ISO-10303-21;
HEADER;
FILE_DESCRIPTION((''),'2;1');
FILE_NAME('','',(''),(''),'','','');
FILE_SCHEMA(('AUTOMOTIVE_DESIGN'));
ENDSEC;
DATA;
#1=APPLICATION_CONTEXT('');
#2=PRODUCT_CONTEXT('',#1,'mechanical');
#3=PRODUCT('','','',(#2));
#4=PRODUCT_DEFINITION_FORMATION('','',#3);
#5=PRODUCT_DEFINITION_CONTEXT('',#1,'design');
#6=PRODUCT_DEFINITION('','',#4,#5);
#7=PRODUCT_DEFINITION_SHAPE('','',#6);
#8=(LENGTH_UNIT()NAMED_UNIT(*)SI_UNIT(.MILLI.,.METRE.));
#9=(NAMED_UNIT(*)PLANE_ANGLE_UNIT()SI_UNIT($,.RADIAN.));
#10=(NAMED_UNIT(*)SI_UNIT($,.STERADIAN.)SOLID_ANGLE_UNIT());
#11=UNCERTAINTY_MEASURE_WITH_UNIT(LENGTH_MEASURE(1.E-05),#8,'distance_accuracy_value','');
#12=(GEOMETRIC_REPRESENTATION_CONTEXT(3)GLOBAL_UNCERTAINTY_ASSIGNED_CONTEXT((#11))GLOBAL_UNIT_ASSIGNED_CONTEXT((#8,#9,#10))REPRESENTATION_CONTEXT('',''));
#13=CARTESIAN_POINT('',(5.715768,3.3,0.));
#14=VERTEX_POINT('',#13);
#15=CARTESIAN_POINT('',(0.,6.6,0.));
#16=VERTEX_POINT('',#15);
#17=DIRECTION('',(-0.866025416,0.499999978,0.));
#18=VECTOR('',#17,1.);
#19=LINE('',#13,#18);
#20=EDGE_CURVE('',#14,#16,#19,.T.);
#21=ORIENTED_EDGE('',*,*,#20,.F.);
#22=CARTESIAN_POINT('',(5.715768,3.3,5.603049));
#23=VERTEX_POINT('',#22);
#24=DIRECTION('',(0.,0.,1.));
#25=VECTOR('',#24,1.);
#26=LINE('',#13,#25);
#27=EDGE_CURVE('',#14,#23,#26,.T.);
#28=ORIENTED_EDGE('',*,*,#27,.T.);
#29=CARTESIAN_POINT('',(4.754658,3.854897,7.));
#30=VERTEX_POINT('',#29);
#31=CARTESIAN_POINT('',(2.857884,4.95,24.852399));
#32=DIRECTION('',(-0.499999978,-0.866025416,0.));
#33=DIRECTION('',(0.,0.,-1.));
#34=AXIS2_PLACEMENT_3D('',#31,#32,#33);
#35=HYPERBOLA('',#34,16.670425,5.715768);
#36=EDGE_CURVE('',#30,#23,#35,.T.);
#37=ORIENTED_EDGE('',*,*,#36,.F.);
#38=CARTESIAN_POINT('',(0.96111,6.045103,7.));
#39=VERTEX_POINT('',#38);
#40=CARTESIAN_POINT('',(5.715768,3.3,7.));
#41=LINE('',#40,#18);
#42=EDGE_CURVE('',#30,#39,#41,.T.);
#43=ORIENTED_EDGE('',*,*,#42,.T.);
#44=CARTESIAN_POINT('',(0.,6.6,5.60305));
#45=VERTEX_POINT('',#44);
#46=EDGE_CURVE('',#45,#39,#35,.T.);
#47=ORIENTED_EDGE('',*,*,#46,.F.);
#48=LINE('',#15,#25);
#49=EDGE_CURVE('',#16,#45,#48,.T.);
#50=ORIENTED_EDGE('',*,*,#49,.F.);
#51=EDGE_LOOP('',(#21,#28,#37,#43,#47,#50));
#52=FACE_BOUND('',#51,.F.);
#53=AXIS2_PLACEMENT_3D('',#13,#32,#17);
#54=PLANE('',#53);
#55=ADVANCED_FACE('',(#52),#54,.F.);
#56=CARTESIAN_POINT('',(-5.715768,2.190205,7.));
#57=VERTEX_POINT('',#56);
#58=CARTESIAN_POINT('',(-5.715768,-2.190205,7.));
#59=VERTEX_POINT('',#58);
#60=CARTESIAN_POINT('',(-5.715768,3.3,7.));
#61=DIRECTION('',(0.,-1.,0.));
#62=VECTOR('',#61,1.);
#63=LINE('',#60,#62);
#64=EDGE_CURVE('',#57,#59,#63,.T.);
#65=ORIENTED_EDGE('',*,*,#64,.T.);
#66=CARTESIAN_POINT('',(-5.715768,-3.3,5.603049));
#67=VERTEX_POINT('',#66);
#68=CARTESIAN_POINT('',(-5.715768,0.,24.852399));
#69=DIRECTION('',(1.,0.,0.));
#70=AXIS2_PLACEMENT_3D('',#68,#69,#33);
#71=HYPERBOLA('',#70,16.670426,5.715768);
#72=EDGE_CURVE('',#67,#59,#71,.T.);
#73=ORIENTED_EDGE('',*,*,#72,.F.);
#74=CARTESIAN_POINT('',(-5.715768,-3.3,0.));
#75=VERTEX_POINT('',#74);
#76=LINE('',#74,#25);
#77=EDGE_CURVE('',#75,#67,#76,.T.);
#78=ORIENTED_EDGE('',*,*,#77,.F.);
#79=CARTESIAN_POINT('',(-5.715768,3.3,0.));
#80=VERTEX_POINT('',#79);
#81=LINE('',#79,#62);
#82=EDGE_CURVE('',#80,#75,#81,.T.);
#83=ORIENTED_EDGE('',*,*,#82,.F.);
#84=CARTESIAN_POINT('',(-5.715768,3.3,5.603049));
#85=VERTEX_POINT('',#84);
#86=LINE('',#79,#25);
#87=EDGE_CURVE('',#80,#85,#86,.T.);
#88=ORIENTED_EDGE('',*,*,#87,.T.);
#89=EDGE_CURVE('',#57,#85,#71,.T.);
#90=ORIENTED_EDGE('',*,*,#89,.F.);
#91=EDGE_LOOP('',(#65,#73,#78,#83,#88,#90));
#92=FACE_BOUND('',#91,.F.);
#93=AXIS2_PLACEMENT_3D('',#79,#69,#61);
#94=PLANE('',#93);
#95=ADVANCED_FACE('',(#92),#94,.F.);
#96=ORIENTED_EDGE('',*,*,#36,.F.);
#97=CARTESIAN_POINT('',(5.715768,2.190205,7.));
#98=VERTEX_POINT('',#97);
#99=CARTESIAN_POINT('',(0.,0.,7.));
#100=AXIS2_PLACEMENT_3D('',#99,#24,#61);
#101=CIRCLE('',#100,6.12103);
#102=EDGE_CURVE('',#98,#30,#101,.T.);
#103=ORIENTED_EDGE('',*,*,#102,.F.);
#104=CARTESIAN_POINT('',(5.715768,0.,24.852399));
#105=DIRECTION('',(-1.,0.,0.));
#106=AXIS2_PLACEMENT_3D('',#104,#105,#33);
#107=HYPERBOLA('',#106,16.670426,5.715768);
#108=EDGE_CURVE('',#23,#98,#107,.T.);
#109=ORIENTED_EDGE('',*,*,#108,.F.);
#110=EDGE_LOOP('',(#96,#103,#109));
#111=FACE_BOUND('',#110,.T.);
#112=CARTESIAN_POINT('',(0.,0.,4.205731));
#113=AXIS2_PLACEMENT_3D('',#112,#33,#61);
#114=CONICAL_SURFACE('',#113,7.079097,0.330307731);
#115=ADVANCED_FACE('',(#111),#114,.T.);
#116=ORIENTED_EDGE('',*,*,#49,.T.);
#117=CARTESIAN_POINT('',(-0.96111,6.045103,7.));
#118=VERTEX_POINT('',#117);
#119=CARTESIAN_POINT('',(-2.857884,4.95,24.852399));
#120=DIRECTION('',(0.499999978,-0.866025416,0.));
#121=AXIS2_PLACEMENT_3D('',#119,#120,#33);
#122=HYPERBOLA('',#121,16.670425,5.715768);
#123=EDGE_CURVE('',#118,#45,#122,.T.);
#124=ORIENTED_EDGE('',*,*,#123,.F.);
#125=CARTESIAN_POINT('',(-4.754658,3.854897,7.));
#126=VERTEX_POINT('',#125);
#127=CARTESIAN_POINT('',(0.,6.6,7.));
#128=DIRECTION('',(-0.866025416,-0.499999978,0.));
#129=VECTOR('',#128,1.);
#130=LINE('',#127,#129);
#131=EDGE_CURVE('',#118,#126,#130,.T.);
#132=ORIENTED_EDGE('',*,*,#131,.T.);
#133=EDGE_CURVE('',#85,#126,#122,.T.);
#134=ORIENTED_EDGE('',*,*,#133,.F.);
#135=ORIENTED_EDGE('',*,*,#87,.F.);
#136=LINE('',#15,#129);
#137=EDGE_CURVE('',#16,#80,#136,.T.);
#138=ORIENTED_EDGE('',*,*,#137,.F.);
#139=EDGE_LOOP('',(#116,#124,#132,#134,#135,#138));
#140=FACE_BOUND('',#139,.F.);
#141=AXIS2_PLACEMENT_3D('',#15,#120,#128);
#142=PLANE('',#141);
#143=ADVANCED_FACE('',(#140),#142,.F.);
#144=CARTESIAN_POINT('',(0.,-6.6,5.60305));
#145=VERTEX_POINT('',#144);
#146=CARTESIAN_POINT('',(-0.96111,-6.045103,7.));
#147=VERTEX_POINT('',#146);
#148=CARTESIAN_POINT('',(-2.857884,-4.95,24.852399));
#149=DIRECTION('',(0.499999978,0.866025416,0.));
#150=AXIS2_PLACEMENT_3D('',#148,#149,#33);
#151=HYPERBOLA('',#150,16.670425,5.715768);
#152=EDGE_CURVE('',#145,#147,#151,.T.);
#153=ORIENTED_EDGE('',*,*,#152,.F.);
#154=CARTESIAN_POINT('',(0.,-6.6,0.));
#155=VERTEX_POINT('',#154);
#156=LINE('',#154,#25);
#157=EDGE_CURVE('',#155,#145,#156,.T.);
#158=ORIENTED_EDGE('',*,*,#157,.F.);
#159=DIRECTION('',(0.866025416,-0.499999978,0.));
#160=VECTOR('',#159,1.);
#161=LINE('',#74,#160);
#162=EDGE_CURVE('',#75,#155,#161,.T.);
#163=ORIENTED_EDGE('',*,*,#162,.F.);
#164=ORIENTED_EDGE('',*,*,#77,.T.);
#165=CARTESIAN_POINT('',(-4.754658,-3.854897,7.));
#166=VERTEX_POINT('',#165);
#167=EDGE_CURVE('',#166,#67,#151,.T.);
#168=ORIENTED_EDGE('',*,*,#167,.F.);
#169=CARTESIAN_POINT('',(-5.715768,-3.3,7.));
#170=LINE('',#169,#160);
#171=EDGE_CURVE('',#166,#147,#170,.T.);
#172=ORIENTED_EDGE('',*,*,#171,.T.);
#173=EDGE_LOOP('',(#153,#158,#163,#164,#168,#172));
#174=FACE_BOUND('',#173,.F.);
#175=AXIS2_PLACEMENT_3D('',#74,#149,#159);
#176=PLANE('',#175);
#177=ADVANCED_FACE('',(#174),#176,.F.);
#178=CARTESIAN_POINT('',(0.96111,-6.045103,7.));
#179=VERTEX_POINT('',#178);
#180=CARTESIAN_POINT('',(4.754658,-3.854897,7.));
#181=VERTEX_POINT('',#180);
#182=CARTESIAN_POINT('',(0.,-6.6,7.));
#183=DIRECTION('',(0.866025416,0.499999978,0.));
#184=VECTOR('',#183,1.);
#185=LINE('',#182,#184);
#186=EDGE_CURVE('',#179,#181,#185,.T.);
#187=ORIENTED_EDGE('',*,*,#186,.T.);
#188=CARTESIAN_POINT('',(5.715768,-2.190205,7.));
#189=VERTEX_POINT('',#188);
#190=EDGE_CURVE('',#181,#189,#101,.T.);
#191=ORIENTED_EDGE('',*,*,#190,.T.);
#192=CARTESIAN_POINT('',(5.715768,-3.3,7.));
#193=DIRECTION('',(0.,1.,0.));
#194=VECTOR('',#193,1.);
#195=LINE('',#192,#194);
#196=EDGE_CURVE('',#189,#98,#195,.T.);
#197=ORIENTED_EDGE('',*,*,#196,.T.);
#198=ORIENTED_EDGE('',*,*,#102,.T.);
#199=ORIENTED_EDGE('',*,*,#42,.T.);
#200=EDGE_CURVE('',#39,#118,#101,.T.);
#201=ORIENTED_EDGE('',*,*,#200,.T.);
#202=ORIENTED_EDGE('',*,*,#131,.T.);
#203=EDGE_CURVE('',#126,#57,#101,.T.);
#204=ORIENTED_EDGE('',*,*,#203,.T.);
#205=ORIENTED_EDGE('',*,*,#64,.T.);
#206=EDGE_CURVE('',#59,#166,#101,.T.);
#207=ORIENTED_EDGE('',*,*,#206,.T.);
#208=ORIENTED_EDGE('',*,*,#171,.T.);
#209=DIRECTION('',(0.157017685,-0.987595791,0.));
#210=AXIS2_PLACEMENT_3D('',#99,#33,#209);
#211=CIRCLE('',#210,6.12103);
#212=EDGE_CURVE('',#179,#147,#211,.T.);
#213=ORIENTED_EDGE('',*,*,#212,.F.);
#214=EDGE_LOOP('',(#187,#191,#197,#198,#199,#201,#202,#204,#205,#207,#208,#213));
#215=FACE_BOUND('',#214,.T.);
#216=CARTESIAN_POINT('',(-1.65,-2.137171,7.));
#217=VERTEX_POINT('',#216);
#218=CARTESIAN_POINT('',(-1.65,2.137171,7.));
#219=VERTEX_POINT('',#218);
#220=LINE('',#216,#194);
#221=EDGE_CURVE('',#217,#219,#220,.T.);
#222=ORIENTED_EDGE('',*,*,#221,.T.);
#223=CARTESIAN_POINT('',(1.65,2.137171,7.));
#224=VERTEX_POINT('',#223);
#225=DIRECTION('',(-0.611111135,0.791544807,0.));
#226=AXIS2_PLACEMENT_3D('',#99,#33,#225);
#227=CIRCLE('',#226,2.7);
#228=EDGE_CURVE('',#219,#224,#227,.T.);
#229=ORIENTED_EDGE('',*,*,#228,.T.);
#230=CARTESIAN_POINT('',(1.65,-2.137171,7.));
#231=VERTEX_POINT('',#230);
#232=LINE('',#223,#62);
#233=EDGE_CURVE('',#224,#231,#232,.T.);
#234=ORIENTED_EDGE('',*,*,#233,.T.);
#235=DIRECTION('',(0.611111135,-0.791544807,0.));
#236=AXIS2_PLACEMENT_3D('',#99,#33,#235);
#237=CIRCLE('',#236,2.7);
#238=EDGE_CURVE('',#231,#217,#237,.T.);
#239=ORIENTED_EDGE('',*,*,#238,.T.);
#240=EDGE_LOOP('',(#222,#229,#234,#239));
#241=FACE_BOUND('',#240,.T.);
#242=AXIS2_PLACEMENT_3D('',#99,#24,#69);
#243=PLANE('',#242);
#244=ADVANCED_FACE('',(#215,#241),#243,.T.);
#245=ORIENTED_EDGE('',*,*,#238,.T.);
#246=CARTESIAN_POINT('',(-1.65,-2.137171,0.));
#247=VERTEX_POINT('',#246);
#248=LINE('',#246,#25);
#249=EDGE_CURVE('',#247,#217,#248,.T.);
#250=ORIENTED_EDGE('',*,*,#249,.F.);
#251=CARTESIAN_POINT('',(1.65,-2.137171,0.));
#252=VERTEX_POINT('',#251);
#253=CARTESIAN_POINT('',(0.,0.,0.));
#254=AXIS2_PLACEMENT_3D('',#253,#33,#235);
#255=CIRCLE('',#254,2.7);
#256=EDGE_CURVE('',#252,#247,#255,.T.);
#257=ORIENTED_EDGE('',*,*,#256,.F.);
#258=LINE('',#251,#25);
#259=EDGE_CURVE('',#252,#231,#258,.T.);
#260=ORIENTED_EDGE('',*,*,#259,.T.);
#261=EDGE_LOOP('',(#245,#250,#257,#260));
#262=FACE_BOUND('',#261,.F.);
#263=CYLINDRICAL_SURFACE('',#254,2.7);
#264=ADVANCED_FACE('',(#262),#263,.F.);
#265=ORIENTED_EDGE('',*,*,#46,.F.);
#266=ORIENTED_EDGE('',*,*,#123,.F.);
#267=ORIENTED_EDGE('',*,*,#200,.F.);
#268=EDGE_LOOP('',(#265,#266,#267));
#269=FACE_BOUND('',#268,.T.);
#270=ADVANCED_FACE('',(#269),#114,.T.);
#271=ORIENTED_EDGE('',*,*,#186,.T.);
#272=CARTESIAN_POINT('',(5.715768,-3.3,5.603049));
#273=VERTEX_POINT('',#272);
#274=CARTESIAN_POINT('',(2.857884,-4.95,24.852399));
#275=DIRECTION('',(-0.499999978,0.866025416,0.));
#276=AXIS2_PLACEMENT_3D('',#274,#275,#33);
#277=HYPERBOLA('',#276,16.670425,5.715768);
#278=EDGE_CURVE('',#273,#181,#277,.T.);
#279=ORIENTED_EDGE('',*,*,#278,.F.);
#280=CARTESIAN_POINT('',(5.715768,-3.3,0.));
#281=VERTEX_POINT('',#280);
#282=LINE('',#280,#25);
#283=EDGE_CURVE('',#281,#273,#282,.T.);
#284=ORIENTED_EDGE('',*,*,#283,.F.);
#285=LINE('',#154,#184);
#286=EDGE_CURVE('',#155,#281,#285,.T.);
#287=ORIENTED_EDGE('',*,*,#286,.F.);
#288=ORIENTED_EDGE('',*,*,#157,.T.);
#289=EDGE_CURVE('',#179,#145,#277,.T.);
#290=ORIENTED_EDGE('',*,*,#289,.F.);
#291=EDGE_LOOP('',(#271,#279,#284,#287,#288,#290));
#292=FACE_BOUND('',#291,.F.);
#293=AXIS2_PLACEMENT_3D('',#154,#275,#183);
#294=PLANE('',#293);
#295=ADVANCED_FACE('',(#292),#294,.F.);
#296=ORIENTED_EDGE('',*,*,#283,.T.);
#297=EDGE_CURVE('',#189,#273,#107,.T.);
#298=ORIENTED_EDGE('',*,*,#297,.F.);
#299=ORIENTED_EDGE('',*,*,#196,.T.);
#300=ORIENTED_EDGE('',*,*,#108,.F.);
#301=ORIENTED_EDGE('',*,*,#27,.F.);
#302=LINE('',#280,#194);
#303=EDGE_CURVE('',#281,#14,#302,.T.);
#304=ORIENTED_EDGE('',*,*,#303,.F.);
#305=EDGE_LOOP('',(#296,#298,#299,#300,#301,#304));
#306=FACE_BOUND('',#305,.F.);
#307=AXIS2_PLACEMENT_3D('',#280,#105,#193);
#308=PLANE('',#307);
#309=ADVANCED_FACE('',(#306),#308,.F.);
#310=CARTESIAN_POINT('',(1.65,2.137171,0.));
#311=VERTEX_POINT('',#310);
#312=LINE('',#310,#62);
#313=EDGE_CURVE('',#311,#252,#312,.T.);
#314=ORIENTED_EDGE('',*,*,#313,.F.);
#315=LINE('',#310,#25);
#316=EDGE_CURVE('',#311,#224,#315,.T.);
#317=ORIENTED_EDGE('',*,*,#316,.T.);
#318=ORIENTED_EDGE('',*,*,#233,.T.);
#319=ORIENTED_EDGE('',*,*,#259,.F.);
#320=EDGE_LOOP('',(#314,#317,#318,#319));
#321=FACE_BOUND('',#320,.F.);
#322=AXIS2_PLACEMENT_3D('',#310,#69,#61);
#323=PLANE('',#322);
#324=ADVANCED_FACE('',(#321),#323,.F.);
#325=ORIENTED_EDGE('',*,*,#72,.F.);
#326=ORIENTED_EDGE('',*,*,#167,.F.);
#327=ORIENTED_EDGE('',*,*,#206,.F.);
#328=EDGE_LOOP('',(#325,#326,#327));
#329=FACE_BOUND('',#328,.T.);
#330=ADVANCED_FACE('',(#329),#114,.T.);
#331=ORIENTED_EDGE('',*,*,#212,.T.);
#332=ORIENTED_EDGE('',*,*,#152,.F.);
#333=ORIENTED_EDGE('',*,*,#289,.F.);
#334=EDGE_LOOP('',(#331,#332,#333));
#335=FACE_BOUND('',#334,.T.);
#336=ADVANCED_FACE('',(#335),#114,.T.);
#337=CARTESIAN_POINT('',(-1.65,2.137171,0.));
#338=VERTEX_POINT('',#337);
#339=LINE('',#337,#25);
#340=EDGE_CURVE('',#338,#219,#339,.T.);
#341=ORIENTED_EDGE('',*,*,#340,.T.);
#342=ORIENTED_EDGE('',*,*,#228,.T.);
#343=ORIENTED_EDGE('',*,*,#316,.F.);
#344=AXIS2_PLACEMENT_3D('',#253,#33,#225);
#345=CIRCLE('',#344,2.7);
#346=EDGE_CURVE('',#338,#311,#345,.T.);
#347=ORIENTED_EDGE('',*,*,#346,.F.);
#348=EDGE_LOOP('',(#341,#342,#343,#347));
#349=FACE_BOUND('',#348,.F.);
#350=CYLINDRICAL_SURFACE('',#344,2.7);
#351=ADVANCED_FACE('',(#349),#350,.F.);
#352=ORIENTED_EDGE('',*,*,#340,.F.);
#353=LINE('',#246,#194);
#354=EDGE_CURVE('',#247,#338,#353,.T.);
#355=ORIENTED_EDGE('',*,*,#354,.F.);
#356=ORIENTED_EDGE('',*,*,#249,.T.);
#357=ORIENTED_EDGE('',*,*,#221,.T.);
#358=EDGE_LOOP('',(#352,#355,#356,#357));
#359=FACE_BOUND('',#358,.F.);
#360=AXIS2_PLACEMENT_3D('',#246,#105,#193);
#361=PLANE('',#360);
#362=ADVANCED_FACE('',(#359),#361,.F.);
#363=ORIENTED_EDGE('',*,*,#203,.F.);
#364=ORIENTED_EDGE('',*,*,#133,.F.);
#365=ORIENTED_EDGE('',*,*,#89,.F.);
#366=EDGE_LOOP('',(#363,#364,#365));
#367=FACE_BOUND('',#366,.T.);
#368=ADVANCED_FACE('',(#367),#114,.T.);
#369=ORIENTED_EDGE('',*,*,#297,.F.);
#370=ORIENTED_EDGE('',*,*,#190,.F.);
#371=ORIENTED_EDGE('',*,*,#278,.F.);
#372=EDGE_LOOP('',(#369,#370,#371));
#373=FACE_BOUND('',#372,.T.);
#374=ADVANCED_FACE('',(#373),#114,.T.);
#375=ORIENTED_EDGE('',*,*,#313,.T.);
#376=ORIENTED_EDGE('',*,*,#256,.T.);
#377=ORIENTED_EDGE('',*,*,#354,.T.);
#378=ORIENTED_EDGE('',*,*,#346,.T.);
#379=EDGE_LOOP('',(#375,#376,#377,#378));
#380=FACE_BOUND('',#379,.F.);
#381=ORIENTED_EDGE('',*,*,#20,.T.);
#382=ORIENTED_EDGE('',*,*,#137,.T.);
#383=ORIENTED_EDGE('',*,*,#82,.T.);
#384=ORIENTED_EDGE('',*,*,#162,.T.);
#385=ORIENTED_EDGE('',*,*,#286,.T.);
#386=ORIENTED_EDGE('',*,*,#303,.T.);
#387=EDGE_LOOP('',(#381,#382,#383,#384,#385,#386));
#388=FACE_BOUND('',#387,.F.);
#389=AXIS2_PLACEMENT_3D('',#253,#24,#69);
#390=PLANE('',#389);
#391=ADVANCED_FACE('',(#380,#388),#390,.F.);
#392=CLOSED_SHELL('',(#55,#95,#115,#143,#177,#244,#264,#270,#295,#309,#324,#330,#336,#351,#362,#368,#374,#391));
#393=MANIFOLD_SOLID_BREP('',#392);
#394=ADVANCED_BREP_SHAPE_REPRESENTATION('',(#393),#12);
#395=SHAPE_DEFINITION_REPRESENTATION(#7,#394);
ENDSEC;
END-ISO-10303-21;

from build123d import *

# Parameters (mm, degrees)
F1_DEPTH = 7


with BuildPart() as f1:
    # F0 (on Top) → F1 (new body)
    with BuildSketch(Plane.XY):
        Polygon((-5.715768, -3.3), (0, -6.6), (5.715768, -3.3), (5.715768, 3.3), (0, 6.6), (-5.715768, 3.3), align=None)
        with BuildLine():
            ThreePointArc((1.65, 2.137171), (2.423324, 1.190588), (2.7, 0))
            ThreePointArc((2.7, 0), (2.423324, -1.190588), (1.65, -2.137171))
            ThreePointArc((1.65, -2.137171), (0, -2.7), (-1.65, -2.137171))
            ThreePointArc((-1.65, -2.137171), (-2.7, 0), (-1.65, 2.137171))
            ThreePointArc((-1.65, 2.137171), (0, 2.7), (1.65, 2.137171))
        make_face(mode=Mode.SUBTRACT)
        with BuildLine():
            Line((-1.65, -2.137171), (-1.65, 2.137171))
            ThreePointArc((-1.65, 2.137171), (-2.7, 0), (-1.65, -2.137171))
        make_face()
        with BuildLine():
            ThreePointArc((1.65, -2.137171), (2.423324, -1.190588), (2.7, 0))
            ThreePointArc((2.7, 0), (2.423324, 1.190588), (1.65, 2.137171))
            Line((1.65, 2.137171), (1.65, -2.137171))
        make_face()
    extrude(amount=F1_DEPTH)

    # F2 (on Right) → F3 (revolve, cut)
    with BuildSketch(Plane.YZ):
        Polygon((-7.079097, 4.205731), (-5.565229, 8.62103), (-7.079097, 8.62103), align=None)
    revolve(axis=Axis((0, 0, 4.921937), (0, 0, 1)), mode=Mode.SUBTRACT)


solid = f1.part
